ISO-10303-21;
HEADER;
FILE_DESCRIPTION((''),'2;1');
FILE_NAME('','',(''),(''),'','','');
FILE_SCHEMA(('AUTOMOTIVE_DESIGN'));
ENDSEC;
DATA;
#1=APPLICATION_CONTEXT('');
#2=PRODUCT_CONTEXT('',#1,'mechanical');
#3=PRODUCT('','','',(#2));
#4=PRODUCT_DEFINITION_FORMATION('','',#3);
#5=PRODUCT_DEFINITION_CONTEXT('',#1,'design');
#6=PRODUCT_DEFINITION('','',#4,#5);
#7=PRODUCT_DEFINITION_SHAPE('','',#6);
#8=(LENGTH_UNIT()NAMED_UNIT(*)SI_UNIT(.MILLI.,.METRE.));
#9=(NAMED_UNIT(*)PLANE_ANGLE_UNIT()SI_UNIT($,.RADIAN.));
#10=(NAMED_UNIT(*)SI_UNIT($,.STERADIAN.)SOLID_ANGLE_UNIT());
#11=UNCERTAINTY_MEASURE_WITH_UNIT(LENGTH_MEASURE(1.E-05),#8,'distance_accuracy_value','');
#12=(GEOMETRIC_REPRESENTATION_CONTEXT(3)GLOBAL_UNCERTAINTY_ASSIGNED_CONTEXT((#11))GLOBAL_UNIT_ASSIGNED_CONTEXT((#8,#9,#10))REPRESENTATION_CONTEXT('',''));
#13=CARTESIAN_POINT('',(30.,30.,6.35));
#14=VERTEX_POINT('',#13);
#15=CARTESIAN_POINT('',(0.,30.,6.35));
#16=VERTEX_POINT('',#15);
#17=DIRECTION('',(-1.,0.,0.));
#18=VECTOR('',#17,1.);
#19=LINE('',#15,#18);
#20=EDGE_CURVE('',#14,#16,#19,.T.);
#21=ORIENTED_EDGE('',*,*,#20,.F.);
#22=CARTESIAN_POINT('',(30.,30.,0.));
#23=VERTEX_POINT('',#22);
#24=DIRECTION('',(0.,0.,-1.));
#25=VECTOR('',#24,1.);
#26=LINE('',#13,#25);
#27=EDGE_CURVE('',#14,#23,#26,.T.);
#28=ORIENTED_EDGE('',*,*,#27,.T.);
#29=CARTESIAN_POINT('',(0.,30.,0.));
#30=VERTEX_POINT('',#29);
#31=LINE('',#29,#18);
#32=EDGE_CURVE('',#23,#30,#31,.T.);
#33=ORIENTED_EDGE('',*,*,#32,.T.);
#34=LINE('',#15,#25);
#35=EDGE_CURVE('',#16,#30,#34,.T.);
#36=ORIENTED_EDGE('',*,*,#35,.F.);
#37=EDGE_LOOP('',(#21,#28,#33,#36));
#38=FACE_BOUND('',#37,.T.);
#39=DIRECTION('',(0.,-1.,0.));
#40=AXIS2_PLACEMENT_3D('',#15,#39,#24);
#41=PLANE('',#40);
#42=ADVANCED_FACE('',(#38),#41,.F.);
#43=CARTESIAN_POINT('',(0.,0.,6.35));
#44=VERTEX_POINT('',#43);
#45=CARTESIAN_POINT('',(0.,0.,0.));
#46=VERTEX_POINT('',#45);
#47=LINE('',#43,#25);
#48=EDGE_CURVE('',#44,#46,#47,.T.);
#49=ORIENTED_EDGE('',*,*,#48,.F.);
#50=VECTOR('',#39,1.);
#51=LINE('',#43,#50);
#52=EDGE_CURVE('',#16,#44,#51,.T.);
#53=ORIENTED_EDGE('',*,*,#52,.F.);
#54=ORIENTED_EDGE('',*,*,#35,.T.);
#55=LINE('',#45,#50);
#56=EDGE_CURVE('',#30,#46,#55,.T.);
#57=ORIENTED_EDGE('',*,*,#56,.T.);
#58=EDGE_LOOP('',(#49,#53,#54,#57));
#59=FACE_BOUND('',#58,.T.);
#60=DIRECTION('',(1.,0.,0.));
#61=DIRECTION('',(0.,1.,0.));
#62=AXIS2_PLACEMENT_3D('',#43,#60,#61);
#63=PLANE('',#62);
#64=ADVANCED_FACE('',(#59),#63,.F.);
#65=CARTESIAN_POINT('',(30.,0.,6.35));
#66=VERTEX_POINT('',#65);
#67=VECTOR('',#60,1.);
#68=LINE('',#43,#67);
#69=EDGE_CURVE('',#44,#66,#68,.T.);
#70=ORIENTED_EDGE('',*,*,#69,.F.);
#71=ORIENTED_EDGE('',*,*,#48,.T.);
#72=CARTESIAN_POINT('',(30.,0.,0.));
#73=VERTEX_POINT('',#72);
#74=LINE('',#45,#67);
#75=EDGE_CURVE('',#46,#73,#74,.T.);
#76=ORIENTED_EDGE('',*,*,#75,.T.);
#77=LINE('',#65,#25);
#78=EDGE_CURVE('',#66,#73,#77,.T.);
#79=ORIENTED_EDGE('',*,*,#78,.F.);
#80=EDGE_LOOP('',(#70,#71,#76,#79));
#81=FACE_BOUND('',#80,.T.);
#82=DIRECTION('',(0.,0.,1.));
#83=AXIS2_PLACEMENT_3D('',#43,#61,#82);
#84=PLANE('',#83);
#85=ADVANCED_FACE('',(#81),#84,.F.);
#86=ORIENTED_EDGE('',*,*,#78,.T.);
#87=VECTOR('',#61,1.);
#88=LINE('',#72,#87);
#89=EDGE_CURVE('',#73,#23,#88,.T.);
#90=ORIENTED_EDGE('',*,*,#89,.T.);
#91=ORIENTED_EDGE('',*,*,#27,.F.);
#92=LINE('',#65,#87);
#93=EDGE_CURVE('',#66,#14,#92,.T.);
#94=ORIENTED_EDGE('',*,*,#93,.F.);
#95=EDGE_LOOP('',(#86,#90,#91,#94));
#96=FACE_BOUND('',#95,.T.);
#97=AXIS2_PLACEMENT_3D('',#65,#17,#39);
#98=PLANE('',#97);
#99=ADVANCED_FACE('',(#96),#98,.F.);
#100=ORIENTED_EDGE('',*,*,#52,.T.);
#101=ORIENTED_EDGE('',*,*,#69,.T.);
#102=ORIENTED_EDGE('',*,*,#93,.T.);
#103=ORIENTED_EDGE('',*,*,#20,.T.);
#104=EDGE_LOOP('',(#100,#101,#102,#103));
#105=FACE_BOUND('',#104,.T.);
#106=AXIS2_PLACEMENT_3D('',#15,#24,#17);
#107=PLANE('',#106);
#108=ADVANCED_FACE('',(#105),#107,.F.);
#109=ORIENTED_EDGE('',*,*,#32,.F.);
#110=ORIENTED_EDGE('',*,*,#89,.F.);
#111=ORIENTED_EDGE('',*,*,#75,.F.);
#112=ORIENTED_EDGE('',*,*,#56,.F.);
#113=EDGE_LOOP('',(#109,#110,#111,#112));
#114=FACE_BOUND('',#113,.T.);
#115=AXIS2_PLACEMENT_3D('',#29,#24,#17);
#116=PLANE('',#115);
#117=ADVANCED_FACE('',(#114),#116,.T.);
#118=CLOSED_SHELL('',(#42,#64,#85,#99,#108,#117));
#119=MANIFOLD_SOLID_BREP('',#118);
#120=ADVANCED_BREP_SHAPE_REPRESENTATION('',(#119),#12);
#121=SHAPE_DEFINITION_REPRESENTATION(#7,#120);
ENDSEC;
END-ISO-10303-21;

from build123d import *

# Parameters (mm, degrees)
SKETCH1_W           = 30
SKETCH1_H           = 30
BOSS_EXTRUDE1_DEPTH = 6.35


with BuildPart() as part:
    # Sketch1 → Boss-Extrude1 (new body)
    with BuildSketch(Plane.XY):
        with Locations((15, 15)):
            Rectangle(SKETCH1_W, SKETCH1_H)
    extrude(amount=BOSS_EXTRUDE1_DEPTH)


solid = part.part
